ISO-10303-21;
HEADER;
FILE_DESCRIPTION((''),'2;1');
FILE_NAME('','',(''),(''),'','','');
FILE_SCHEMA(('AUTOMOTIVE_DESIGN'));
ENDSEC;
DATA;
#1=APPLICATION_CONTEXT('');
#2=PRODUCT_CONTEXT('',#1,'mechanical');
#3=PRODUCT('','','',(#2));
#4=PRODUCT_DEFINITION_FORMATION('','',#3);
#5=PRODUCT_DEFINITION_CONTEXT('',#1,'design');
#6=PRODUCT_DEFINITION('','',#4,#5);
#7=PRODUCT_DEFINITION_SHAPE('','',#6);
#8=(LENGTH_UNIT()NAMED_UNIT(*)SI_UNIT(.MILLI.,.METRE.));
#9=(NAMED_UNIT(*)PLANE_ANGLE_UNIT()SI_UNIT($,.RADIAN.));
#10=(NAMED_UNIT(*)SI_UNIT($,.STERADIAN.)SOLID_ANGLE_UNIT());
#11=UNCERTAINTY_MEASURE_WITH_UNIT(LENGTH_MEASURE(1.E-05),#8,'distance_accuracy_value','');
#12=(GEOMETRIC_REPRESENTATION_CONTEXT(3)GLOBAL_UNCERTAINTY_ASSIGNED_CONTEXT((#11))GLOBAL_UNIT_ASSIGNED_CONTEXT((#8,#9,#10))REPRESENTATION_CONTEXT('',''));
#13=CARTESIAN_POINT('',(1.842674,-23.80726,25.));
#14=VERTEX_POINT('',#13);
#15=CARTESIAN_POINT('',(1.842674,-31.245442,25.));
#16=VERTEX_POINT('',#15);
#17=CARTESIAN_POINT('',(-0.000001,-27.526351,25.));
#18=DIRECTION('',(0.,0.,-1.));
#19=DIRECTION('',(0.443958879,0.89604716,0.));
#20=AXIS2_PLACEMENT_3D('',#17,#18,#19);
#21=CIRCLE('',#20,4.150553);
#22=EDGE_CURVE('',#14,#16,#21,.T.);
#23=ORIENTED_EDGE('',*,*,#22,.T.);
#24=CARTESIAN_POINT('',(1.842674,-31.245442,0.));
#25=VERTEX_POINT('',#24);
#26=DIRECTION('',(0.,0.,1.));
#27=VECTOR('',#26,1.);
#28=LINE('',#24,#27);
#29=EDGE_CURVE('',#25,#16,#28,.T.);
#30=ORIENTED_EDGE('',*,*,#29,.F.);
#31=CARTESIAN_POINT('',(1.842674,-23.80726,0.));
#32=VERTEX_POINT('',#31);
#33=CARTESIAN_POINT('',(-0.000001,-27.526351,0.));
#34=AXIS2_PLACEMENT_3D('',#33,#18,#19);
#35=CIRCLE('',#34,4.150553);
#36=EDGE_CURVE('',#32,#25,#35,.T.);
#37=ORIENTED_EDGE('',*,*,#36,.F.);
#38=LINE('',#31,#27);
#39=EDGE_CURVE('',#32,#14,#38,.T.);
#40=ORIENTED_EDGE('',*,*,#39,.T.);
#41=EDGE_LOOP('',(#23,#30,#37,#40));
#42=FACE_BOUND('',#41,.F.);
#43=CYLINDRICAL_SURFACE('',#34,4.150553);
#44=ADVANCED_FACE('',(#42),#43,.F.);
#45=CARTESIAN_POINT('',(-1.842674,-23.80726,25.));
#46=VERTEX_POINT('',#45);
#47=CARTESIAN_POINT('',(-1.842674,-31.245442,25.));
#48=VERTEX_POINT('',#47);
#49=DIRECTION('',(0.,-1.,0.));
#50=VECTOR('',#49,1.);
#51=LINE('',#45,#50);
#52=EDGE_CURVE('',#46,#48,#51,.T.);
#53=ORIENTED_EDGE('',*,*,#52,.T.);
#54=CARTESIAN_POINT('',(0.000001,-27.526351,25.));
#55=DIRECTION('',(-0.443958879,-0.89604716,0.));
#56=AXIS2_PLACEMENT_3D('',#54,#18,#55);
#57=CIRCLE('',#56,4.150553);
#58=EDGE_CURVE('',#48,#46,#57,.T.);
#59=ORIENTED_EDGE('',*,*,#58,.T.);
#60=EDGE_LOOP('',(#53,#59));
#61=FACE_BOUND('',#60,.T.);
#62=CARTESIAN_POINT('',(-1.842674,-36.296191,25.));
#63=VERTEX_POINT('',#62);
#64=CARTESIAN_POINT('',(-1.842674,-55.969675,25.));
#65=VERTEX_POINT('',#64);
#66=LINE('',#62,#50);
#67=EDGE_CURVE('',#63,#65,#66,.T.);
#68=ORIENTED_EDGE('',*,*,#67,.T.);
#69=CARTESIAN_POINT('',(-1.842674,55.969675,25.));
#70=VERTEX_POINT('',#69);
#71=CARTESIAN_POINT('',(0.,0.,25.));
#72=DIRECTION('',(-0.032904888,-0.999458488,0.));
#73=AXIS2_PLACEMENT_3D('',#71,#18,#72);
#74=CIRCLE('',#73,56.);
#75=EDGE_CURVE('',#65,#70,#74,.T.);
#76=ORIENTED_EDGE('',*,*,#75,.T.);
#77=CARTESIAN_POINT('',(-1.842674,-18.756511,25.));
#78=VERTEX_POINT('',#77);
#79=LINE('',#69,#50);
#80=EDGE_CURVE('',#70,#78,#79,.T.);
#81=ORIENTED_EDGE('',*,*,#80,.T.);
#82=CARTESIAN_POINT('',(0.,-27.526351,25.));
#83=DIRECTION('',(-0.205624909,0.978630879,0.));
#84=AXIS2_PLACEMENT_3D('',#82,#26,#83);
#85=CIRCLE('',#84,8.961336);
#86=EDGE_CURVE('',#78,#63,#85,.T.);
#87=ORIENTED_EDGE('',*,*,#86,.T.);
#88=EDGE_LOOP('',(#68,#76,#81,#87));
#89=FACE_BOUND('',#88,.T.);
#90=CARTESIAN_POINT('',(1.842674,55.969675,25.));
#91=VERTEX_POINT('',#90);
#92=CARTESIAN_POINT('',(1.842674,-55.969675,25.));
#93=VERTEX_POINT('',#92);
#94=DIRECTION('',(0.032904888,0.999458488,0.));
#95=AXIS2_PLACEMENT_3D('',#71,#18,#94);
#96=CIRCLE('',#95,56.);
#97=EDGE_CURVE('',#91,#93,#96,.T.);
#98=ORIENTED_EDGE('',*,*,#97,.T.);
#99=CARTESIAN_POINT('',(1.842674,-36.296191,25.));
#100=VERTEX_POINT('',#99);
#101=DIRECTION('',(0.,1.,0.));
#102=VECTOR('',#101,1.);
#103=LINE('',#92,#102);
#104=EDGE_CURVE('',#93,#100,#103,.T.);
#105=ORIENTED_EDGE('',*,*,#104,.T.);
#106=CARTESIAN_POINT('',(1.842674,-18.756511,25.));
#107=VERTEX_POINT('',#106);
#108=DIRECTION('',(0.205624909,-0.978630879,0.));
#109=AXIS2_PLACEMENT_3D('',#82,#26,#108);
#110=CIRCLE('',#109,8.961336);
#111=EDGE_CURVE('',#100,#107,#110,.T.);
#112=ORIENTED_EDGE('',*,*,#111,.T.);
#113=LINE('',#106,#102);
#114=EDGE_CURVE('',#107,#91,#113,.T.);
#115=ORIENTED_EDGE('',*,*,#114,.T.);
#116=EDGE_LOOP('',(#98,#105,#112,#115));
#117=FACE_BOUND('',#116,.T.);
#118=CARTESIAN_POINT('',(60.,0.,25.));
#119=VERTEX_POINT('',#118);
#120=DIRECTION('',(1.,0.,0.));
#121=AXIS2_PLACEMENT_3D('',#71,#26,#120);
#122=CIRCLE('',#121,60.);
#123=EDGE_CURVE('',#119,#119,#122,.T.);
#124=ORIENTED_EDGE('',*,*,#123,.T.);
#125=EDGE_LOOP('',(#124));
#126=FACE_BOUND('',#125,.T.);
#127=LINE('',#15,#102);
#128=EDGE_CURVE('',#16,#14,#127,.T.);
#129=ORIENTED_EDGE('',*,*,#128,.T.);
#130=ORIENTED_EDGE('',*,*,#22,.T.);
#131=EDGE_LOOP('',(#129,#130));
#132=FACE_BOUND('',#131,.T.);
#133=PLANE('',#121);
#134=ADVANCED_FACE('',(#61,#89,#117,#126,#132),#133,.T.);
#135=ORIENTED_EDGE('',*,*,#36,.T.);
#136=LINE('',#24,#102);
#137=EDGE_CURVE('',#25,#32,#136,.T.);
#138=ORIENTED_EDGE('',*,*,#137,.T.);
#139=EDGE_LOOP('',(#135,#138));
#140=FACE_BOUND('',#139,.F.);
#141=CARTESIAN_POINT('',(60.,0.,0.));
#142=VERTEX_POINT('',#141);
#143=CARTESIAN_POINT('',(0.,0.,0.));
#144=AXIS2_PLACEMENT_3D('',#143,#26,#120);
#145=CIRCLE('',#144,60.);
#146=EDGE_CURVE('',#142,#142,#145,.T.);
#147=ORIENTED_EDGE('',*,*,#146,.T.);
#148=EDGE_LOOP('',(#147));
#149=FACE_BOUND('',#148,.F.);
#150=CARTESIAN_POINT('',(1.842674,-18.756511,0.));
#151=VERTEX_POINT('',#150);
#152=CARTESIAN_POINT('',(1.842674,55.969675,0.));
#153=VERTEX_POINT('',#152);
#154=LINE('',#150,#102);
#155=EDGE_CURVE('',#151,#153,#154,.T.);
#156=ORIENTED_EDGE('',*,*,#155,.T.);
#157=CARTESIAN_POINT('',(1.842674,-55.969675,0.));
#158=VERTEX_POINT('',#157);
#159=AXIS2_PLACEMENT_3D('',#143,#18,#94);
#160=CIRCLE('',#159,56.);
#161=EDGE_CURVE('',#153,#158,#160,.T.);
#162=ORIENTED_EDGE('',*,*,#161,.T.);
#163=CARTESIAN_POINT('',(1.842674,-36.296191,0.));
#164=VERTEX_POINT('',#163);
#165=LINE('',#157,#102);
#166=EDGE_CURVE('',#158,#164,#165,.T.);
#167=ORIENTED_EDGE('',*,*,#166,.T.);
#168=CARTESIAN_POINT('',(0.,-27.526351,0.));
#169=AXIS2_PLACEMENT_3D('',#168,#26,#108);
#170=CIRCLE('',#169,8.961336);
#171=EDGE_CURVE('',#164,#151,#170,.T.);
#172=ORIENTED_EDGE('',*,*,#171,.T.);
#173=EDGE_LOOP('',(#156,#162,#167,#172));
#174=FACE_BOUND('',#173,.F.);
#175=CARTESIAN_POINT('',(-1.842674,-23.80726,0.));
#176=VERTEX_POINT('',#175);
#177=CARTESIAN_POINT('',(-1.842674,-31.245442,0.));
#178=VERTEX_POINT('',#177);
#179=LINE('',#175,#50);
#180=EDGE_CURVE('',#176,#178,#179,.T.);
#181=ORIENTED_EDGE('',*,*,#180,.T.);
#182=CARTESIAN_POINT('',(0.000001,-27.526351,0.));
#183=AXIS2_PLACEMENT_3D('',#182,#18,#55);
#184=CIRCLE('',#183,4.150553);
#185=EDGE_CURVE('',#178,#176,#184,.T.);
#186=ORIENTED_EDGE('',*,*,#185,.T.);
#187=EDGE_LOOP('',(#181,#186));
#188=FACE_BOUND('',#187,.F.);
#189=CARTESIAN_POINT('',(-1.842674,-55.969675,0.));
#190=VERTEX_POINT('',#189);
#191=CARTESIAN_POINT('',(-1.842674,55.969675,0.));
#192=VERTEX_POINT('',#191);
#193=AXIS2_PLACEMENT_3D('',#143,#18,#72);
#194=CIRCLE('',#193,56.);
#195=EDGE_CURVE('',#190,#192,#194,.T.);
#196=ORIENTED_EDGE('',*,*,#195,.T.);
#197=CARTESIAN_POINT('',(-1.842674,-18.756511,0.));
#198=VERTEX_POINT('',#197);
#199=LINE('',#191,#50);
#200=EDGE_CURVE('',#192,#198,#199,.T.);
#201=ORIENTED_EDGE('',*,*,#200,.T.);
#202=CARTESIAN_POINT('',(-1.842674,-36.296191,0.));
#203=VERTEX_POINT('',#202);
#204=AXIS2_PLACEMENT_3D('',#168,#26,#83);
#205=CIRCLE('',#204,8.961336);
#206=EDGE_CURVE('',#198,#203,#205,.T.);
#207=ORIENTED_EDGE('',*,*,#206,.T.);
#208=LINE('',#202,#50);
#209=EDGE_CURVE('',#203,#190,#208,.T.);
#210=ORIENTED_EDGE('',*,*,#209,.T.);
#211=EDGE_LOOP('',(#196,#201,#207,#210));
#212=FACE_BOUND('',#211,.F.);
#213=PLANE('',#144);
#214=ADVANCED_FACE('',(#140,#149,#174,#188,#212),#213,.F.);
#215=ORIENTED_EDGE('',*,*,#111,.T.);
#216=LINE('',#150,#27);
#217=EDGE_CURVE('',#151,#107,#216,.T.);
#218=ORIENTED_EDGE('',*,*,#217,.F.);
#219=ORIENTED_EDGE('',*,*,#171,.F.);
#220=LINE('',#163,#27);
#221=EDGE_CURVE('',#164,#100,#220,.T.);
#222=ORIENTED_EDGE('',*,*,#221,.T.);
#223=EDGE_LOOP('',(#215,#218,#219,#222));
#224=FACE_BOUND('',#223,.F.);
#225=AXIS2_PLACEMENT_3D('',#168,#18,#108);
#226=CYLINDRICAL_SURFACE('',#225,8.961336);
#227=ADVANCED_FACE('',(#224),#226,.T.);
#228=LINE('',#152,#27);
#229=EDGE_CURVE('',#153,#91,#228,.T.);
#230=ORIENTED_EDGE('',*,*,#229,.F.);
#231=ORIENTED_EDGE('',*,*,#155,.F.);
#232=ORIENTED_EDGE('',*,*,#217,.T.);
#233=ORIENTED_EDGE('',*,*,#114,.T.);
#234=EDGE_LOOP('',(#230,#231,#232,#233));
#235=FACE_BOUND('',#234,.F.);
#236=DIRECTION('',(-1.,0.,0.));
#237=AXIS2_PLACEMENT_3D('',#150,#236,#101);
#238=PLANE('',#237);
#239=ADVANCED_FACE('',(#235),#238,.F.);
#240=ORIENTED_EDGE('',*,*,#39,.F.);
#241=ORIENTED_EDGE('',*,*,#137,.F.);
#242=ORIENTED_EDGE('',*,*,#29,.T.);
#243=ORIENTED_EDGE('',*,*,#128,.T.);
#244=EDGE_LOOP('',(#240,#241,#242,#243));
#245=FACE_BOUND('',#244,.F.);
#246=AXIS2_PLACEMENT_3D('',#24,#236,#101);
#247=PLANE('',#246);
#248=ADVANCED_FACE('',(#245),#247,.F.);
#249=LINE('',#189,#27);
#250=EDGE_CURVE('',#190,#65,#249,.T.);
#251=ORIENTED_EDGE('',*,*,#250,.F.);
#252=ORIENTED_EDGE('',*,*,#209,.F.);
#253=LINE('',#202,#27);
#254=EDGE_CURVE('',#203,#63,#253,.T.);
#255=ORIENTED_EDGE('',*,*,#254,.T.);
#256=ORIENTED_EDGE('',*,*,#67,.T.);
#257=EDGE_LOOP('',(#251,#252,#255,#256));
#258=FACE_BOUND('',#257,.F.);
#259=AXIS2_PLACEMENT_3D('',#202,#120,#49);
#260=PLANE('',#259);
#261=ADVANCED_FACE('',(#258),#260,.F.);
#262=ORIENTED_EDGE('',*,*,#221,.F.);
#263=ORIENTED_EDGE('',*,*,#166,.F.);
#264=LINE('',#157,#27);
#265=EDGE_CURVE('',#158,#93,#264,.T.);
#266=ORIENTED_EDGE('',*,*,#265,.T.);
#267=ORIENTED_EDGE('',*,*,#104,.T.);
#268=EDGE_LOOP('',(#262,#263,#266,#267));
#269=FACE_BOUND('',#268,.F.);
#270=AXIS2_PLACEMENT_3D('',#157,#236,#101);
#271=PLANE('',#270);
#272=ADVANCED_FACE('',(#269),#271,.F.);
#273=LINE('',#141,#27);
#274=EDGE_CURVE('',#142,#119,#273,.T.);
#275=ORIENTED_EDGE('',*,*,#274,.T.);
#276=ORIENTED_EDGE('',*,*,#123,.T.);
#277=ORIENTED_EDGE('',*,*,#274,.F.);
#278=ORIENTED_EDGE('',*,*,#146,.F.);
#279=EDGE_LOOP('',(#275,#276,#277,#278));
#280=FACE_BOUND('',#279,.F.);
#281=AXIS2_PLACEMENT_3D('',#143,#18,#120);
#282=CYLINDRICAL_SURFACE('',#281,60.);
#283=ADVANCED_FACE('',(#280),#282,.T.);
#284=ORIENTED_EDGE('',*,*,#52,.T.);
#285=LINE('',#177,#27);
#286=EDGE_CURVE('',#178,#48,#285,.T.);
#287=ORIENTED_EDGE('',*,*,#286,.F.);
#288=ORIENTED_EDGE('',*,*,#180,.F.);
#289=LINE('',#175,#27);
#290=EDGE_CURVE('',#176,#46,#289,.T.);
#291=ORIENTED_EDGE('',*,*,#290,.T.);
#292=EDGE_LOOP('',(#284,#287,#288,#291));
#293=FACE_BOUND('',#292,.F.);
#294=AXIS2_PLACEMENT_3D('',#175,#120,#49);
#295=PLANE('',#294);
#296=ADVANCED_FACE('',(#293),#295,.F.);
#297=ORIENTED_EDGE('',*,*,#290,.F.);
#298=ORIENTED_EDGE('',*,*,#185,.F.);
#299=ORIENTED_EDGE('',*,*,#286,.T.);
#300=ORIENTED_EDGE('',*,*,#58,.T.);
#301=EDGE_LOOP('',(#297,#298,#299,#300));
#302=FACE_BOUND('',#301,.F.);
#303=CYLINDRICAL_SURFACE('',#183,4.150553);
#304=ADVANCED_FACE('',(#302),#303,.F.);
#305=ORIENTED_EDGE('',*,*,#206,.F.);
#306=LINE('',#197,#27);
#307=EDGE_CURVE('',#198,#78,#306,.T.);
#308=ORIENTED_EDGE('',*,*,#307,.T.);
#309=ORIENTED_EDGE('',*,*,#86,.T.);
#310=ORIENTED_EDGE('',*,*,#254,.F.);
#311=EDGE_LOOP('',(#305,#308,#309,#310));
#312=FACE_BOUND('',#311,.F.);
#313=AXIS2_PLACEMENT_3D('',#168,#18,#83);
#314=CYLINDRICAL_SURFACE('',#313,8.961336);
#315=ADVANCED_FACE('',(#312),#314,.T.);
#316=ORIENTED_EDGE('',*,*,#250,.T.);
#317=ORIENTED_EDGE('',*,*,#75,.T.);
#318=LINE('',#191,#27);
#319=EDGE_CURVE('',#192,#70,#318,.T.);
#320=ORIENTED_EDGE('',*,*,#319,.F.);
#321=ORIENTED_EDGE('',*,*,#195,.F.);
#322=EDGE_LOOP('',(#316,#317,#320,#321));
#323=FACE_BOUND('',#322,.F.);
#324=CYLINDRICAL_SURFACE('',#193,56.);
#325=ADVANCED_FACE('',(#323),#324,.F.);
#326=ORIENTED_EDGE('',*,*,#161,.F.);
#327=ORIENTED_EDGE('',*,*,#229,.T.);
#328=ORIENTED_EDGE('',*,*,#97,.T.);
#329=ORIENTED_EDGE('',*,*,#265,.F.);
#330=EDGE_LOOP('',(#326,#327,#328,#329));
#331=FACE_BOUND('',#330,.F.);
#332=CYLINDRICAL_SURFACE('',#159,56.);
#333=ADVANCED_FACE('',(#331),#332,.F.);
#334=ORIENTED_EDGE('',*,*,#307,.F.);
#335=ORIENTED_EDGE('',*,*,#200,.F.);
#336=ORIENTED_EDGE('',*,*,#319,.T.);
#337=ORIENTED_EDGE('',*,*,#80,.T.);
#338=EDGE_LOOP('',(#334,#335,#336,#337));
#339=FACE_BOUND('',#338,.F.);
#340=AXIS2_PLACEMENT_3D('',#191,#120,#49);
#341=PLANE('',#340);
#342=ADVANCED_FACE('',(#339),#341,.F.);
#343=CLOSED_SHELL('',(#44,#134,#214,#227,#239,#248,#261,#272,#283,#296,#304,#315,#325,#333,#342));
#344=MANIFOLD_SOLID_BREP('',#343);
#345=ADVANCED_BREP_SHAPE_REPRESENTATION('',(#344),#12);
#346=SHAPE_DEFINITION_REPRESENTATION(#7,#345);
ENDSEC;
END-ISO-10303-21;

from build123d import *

# Parameters (mm, degrees)
F0_R     = 60
F1_DEPTH = 25


with BuildPart() as f1:
    # F0 (on Top) → F1 (new body)
    with BuildSketch(Plane.XY):
        Circle(F0_R)
        with BuildLine():
            ThreePointArc((-1.842674, -31.245442), (-4.150552, -27.526351), (-1.842674, -23.80726))
            Line((-1.842674, -23.80726), (-1.842674, -31.245442))
        make_face(mode=Mode.SUBTRACT)
        with BuildLine():
            ThreePointArc((-1.842674, -55.969675), (-56, 0), (-1.842674, 55.969675))
            Line((-1.842674, 55.969675), (-1.842674, -18.756511))
            ThreePointArc((-1.842674, -18.756511), (-8.961336, -27.526351), (-1.842674, -36.296191))
            Line((-1.842674, -36.296191), (-1.842674, -55.969675))
        make_face(mode=Mode.SUBTRACT)
        with BuildLine():
            Line((1.842674, -31.245442), (1.842674, -23.80726))
            ThreePointArc((1.842674, -23.80726), (4.150552, -27.526351), (1.842674, -31.245442))
        make_face(mode=Mode.SUBTRACT)
        with BuildLine():
            Line((1.842674, -18.756511), (1.842674, 55.969675))
            ThreePointArc((1.842674, 55.969675), (56, 0), (1.842674, -55.969675))
            Line((1.842674, -55.969675), (1.842674, -36.296191))
            ThreePointArc((1.842674, -36.296191), (8.961336, -27.526351), (1.842674, -18.756511))
        make_face(mode=Mode.SUBTRACT)
    extrude(amount=F1_DEPTH)


solid = f1.part
